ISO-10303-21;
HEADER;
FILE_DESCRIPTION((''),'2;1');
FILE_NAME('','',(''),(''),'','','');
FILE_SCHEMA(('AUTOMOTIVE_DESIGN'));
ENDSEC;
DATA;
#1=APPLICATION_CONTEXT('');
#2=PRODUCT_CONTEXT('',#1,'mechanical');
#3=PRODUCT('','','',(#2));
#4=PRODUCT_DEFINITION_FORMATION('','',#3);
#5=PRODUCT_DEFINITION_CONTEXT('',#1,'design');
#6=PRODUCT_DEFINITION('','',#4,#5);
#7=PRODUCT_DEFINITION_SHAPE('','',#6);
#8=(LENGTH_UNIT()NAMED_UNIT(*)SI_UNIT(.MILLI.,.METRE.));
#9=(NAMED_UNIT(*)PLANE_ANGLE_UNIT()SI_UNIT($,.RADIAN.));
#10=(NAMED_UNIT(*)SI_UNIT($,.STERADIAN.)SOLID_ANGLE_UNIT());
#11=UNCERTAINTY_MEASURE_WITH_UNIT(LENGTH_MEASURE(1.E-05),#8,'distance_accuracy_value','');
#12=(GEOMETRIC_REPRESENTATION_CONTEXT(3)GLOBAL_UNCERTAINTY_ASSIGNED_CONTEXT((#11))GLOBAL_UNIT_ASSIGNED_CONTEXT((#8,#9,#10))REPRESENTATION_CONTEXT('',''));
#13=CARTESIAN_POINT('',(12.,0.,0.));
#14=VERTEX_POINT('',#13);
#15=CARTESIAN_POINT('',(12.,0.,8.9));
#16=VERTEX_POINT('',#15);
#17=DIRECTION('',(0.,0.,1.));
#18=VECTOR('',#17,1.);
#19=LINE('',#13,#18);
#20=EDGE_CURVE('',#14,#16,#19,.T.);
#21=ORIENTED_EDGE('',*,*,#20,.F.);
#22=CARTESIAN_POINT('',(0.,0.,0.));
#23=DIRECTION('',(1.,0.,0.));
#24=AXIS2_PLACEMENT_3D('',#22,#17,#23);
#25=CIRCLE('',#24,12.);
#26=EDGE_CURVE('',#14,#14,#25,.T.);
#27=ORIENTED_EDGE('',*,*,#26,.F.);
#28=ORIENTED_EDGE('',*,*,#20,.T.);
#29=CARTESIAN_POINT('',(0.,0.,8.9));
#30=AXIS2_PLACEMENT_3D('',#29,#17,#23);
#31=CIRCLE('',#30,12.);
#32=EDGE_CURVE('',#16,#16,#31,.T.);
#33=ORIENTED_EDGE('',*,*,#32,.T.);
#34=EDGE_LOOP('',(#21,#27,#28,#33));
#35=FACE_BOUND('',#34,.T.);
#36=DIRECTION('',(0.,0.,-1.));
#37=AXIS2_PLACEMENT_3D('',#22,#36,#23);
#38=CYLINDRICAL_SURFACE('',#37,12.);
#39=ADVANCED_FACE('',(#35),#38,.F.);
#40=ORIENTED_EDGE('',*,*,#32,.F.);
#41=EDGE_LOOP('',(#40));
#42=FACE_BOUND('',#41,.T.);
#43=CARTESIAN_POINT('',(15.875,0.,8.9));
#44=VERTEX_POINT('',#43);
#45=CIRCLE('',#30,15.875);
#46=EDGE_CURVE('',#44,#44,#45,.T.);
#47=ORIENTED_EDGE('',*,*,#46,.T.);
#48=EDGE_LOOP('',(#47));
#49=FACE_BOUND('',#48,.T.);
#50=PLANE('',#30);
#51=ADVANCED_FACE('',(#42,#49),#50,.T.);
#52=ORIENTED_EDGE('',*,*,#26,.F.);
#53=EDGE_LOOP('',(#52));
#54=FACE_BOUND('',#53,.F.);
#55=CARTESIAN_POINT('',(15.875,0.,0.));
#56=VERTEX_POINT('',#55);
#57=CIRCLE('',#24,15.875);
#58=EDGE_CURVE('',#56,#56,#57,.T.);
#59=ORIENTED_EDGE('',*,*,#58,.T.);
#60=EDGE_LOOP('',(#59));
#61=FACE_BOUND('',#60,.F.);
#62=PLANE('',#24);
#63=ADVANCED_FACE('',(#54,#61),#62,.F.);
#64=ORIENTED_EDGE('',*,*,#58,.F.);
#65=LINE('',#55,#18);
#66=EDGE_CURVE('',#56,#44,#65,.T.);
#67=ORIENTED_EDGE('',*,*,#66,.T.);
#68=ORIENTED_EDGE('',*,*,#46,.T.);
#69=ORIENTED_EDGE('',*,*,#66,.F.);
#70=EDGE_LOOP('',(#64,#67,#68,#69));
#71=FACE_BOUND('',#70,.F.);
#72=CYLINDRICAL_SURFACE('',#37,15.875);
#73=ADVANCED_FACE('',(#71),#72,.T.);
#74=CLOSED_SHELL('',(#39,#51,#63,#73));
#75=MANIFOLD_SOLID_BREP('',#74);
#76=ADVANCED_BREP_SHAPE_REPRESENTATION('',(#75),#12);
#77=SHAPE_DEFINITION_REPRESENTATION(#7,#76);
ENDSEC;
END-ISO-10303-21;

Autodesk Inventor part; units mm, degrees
ref_plane "YZ Plane" through (0, 0, 0) normal (1, 0, 0) x (0, 1, 0)
ref_plane "XZ Plane" through (0, 0, 0) normal (0, 1, 0) x (-1, 0, 0)
ref_plane "XY Plane" through (0, 0, 0) normal (0, 0, 1) x (1, 0, 0)
sketch "Sketch1" plane through (0, 0, 0) normal (0, 0, 1) x (1, 0, 0)
  circle A0 centre (0, 0) radius 15.875
  circle A1 centre (0, 0) radius 12 projected
  dimension "d0" = 31.75
extrude "Extrusion1" add sketch "Sketch1" along normal blind 8.9
properties part number "Button_Ring"
